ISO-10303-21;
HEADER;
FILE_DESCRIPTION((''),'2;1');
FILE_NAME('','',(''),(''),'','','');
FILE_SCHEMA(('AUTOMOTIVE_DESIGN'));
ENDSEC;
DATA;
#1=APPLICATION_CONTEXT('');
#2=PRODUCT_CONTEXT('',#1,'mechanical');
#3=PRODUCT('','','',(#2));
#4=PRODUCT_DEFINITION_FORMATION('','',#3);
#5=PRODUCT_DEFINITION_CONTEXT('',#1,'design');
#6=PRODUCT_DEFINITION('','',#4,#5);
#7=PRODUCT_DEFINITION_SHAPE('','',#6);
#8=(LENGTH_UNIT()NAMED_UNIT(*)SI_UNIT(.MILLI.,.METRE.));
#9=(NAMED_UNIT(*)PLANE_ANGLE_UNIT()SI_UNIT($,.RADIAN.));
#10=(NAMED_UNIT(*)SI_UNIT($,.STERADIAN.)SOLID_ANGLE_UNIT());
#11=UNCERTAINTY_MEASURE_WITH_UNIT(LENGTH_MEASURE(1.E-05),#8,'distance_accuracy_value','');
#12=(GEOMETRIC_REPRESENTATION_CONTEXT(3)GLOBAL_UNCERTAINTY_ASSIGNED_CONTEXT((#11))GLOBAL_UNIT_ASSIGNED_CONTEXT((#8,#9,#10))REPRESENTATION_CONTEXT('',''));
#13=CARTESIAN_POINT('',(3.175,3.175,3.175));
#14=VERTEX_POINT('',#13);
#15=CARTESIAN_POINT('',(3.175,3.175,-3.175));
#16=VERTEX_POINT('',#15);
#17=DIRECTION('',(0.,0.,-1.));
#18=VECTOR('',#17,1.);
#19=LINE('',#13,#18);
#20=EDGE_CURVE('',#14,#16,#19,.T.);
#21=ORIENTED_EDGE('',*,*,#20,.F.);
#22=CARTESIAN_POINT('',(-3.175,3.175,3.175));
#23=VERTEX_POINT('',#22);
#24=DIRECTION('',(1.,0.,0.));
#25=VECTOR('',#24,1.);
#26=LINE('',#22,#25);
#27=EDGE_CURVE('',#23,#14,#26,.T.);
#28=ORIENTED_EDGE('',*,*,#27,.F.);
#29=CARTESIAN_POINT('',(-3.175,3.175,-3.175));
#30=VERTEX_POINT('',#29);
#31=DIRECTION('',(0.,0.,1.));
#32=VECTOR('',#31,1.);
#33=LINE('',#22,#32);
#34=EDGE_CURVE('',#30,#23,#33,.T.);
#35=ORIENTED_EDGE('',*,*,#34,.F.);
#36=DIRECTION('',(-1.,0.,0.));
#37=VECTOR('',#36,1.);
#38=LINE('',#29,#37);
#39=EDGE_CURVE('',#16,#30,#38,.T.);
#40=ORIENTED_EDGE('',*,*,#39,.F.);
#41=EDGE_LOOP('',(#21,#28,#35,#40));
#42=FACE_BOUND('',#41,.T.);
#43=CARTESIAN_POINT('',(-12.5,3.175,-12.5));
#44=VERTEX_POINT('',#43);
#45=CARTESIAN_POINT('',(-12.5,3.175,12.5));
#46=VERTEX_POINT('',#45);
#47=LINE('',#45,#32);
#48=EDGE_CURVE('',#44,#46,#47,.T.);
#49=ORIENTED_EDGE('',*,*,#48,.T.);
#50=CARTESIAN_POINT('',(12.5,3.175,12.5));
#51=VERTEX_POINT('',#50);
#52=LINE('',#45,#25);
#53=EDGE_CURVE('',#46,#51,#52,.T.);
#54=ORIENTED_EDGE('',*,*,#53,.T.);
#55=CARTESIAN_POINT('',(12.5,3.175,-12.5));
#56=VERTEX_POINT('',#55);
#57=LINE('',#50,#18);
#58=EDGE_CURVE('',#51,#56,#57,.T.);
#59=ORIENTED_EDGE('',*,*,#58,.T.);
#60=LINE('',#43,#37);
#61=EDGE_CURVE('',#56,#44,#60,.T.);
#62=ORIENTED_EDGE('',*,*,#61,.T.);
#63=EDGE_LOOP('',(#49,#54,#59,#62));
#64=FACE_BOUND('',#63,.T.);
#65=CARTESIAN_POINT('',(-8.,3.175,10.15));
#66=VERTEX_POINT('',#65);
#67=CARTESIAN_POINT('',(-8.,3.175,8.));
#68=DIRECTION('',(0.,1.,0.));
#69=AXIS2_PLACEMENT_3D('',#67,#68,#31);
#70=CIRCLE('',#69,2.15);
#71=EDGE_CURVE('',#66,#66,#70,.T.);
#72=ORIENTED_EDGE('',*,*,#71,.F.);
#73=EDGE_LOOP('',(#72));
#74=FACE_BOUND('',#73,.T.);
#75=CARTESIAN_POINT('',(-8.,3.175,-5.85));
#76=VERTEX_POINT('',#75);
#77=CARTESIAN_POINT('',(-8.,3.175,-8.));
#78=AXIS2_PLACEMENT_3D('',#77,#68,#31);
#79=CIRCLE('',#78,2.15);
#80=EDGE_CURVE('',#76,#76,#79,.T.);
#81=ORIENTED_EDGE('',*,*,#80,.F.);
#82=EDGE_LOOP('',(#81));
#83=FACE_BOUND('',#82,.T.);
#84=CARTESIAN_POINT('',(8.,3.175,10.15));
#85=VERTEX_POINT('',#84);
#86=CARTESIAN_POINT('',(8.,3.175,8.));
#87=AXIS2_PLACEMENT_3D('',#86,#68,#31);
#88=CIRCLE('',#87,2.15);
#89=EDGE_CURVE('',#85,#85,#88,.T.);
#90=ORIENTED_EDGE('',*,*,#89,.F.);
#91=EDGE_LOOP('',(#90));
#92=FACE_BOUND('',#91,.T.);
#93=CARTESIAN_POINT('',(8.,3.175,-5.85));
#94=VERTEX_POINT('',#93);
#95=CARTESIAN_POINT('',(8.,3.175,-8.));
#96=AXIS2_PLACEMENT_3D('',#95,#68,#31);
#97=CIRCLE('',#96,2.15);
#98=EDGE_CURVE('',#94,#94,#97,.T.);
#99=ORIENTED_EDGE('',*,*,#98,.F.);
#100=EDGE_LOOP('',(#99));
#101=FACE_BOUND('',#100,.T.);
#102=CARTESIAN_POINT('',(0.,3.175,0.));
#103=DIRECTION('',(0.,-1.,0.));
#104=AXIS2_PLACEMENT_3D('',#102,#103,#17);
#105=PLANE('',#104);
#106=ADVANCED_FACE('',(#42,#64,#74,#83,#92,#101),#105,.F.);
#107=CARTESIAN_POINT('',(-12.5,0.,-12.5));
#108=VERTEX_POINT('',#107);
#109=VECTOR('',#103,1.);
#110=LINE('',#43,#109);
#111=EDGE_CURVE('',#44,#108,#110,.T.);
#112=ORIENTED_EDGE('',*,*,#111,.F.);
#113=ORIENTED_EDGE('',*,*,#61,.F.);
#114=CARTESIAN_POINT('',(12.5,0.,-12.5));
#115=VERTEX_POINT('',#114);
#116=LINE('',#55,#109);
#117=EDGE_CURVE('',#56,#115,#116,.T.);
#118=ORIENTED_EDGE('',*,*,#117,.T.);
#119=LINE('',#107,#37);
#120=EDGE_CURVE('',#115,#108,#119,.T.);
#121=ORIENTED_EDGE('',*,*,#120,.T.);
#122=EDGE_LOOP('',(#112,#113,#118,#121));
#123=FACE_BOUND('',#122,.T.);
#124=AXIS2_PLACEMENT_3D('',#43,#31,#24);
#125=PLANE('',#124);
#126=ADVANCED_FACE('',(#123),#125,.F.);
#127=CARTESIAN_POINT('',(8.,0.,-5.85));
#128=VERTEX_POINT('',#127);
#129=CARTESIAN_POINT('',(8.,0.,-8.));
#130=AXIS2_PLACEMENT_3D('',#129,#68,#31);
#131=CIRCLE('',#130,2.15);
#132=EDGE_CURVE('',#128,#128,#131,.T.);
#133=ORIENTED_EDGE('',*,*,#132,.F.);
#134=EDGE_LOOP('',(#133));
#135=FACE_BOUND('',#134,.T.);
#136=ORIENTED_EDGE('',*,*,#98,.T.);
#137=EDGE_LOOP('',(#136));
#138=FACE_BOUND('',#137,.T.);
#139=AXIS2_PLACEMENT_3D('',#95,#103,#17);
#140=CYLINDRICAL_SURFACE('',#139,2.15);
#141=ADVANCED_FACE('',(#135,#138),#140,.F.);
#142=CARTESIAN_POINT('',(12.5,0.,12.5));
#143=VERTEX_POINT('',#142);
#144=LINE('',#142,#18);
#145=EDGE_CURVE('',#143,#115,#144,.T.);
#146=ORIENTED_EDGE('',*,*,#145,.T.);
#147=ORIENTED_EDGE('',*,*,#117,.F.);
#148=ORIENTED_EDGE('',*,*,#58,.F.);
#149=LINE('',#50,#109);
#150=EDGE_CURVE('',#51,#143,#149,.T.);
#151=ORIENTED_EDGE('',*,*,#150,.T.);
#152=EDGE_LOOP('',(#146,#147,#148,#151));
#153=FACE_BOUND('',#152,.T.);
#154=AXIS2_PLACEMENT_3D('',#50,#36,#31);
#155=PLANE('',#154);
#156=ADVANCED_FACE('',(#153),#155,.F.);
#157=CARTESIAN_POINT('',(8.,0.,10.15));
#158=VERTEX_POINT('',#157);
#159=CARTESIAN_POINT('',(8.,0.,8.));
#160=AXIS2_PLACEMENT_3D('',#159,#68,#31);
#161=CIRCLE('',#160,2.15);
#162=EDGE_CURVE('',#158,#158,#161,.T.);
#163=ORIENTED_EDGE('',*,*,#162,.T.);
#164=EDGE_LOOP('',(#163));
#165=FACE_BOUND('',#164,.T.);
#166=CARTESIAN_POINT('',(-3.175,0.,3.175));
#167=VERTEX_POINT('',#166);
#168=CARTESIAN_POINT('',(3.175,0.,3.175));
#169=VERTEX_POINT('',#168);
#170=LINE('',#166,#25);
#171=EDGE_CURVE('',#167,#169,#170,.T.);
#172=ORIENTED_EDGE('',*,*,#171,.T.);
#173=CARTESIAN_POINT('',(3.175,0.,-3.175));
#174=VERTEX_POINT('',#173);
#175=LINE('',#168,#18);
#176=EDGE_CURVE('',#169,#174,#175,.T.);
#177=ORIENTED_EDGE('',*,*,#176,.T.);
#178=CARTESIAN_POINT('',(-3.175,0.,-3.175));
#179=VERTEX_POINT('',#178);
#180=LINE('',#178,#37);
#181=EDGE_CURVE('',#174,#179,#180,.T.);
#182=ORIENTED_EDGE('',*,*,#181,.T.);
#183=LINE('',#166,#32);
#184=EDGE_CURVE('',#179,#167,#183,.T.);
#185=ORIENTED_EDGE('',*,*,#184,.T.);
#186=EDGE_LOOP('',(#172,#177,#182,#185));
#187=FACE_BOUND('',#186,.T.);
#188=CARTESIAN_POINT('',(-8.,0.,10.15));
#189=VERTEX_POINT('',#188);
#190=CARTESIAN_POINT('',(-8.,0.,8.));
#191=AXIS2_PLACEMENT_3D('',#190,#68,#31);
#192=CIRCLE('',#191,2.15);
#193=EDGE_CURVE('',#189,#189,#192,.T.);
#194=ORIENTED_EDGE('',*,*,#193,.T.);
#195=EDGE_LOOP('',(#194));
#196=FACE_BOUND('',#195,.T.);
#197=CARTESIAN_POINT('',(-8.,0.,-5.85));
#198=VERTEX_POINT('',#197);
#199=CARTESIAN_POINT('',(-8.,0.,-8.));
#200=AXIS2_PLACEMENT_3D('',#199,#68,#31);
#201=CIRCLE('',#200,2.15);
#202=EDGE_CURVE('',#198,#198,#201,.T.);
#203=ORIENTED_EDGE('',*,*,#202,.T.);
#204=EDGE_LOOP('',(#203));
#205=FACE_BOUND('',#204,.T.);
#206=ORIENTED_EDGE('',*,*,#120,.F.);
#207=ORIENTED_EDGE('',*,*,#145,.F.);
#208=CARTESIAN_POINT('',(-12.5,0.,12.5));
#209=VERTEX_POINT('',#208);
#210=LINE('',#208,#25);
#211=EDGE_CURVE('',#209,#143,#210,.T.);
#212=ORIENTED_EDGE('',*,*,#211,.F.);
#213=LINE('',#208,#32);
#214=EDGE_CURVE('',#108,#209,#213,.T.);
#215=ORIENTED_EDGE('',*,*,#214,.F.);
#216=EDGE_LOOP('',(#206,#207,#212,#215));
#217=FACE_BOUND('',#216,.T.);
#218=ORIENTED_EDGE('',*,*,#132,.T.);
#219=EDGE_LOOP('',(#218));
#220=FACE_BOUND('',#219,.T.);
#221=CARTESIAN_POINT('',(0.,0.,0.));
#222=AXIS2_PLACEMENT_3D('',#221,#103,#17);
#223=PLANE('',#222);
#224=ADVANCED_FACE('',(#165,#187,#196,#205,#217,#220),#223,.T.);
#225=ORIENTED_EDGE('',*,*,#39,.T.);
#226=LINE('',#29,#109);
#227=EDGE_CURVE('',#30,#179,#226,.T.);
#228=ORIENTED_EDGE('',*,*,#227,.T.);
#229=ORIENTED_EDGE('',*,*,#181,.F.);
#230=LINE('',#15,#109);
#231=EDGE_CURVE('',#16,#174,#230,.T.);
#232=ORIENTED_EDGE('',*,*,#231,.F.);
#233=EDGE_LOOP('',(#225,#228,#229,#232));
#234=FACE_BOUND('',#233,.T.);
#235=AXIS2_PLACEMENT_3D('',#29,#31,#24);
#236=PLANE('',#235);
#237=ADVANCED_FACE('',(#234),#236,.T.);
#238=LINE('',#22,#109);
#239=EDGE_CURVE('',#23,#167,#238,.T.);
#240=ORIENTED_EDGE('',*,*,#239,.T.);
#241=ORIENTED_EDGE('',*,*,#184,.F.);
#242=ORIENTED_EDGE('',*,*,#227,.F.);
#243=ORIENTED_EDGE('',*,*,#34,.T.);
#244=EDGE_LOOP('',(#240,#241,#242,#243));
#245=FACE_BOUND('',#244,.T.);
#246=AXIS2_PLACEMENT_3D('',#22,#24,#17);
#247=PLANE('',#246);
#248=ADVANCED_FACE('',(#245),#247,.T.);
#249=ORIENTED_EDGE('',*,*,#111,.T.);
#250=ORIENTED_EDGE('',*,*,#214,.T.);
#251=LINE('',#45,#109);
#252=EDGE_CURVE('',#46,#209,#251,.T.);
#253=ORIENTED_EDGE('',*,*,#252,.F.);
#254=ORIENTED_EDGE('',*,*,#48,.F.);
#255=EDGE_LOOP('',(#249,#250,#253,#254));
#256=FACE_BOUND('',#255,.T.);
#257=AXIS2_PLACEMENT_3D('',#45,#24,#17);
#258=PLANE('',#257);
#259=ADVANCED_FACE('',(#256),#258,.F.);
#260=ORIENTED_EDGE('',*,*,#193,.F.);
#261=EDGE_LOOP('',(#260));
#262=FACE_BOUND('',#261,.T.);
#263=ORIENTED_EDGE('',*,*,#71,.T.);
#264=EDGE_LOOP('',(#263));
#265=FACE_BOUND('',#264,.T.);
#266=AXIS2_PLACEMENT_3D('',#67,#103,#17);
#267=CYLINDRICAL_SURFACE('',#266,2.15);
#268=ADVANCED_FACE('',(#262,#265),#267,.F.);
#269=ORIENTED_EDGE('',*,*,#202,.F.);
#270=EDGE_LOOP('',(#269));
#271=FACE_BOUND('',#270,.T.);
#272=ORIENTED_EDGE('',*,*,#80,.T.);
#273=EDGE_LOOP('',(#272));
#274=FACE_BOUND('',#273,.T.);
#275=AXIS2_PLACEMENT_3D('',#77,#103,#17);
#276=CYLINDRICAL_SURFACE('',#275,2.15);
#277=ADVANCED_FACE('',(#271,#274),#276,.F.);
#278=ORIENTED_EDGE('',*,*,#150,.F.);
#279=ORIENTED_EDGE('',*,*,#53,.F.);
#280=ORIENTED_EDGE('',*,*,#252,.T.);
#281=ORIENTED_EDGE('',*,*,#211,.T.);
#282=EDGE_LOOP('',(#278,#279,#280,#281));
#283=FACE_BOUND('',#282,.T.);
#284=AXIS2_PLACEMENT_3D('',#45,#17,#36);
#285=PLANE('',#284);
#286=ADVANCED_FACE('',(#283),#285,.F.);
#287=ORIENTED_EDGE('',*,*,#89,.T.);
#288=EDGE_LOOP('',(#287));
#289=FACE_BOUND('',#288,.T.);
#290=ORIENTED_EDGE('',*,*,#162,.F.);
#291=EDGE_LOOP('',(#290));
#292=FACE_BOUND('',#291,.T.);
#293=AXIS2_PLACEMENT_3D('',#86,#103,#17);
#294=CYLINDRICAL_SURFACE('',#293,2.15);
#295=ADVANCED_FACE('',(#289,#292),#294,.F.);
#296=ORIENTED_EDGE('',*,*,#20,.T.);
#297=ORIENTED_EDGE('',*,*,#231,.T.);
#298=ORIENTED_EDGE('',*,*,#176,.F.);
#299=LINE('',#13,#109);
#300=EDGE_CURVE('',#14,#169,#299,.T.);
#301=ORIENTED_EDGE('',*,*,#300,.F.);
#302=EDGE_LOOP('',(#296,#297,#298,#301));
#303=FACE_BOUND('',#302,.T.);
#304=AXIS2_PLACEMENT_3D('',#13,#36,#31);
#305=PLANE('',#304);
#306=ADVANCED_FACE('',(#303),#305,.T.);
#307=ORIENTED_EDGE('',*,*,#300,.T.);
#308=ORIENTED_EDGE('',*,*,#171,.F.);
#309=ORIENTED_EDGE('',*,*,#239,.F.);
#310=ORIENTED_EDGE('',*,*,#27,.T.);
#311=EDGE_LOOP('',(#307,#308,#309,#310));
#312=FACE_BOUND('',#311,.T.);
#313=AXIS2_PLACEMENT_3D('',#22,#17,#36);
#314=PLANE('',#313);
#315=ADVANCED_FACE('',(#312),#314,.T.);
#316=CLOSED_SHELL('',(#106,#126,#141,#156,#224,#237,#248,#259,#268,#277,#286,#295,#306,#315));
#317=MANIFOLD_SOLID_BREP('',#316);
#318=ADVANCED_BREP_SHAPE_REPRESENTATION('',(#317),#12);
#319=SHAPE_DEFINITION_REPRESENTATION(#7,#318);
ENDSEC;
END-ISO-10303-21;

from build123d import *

# Parameters (mm, degrees)
SKETCH1_W           = 25
SKETCH1_H           = 25
SKETCH1_R           = 2.15
SKETCH1_W_2         = 6.35
SKETCH1_H_2         = 6.35
BOSS_EXTRUDE1_DEPTH = 3.175


with BuildPart() as part:
    # Sketch1 → Boss-Extrude1 (new body)
    with BuildSketch(Plane(origin=(0, 0, 0), x_dir=(1, 0, 0), z_dir=(0, 1, 0))):
        Rectangle(SKETCH1_W, SKETCH1_H)
        with Locations((-8, 8)):
            Circle(SKETCH1_R, mode=Mode.SUBTRACT)
        with Locations((8, 8)):
            Circle(SKETCH1_R, mode=Mode.SUBTRACT)
        with Locations((8, -8)):
            Circle(SKETCH1_R, mode=Mode.SUBTRACT)
        with Locations((-8, -8)):
            Circle(SKETCH1_R, mode=Mode.SUBTRACT)
        Rectangle(SKETCH1_W_2, SKETCH1_H_2, mode=Mode.SUBTRACT)
    extrude(amount=BOSS_EXTRUDE1_DEPTH)


solid = part.part
